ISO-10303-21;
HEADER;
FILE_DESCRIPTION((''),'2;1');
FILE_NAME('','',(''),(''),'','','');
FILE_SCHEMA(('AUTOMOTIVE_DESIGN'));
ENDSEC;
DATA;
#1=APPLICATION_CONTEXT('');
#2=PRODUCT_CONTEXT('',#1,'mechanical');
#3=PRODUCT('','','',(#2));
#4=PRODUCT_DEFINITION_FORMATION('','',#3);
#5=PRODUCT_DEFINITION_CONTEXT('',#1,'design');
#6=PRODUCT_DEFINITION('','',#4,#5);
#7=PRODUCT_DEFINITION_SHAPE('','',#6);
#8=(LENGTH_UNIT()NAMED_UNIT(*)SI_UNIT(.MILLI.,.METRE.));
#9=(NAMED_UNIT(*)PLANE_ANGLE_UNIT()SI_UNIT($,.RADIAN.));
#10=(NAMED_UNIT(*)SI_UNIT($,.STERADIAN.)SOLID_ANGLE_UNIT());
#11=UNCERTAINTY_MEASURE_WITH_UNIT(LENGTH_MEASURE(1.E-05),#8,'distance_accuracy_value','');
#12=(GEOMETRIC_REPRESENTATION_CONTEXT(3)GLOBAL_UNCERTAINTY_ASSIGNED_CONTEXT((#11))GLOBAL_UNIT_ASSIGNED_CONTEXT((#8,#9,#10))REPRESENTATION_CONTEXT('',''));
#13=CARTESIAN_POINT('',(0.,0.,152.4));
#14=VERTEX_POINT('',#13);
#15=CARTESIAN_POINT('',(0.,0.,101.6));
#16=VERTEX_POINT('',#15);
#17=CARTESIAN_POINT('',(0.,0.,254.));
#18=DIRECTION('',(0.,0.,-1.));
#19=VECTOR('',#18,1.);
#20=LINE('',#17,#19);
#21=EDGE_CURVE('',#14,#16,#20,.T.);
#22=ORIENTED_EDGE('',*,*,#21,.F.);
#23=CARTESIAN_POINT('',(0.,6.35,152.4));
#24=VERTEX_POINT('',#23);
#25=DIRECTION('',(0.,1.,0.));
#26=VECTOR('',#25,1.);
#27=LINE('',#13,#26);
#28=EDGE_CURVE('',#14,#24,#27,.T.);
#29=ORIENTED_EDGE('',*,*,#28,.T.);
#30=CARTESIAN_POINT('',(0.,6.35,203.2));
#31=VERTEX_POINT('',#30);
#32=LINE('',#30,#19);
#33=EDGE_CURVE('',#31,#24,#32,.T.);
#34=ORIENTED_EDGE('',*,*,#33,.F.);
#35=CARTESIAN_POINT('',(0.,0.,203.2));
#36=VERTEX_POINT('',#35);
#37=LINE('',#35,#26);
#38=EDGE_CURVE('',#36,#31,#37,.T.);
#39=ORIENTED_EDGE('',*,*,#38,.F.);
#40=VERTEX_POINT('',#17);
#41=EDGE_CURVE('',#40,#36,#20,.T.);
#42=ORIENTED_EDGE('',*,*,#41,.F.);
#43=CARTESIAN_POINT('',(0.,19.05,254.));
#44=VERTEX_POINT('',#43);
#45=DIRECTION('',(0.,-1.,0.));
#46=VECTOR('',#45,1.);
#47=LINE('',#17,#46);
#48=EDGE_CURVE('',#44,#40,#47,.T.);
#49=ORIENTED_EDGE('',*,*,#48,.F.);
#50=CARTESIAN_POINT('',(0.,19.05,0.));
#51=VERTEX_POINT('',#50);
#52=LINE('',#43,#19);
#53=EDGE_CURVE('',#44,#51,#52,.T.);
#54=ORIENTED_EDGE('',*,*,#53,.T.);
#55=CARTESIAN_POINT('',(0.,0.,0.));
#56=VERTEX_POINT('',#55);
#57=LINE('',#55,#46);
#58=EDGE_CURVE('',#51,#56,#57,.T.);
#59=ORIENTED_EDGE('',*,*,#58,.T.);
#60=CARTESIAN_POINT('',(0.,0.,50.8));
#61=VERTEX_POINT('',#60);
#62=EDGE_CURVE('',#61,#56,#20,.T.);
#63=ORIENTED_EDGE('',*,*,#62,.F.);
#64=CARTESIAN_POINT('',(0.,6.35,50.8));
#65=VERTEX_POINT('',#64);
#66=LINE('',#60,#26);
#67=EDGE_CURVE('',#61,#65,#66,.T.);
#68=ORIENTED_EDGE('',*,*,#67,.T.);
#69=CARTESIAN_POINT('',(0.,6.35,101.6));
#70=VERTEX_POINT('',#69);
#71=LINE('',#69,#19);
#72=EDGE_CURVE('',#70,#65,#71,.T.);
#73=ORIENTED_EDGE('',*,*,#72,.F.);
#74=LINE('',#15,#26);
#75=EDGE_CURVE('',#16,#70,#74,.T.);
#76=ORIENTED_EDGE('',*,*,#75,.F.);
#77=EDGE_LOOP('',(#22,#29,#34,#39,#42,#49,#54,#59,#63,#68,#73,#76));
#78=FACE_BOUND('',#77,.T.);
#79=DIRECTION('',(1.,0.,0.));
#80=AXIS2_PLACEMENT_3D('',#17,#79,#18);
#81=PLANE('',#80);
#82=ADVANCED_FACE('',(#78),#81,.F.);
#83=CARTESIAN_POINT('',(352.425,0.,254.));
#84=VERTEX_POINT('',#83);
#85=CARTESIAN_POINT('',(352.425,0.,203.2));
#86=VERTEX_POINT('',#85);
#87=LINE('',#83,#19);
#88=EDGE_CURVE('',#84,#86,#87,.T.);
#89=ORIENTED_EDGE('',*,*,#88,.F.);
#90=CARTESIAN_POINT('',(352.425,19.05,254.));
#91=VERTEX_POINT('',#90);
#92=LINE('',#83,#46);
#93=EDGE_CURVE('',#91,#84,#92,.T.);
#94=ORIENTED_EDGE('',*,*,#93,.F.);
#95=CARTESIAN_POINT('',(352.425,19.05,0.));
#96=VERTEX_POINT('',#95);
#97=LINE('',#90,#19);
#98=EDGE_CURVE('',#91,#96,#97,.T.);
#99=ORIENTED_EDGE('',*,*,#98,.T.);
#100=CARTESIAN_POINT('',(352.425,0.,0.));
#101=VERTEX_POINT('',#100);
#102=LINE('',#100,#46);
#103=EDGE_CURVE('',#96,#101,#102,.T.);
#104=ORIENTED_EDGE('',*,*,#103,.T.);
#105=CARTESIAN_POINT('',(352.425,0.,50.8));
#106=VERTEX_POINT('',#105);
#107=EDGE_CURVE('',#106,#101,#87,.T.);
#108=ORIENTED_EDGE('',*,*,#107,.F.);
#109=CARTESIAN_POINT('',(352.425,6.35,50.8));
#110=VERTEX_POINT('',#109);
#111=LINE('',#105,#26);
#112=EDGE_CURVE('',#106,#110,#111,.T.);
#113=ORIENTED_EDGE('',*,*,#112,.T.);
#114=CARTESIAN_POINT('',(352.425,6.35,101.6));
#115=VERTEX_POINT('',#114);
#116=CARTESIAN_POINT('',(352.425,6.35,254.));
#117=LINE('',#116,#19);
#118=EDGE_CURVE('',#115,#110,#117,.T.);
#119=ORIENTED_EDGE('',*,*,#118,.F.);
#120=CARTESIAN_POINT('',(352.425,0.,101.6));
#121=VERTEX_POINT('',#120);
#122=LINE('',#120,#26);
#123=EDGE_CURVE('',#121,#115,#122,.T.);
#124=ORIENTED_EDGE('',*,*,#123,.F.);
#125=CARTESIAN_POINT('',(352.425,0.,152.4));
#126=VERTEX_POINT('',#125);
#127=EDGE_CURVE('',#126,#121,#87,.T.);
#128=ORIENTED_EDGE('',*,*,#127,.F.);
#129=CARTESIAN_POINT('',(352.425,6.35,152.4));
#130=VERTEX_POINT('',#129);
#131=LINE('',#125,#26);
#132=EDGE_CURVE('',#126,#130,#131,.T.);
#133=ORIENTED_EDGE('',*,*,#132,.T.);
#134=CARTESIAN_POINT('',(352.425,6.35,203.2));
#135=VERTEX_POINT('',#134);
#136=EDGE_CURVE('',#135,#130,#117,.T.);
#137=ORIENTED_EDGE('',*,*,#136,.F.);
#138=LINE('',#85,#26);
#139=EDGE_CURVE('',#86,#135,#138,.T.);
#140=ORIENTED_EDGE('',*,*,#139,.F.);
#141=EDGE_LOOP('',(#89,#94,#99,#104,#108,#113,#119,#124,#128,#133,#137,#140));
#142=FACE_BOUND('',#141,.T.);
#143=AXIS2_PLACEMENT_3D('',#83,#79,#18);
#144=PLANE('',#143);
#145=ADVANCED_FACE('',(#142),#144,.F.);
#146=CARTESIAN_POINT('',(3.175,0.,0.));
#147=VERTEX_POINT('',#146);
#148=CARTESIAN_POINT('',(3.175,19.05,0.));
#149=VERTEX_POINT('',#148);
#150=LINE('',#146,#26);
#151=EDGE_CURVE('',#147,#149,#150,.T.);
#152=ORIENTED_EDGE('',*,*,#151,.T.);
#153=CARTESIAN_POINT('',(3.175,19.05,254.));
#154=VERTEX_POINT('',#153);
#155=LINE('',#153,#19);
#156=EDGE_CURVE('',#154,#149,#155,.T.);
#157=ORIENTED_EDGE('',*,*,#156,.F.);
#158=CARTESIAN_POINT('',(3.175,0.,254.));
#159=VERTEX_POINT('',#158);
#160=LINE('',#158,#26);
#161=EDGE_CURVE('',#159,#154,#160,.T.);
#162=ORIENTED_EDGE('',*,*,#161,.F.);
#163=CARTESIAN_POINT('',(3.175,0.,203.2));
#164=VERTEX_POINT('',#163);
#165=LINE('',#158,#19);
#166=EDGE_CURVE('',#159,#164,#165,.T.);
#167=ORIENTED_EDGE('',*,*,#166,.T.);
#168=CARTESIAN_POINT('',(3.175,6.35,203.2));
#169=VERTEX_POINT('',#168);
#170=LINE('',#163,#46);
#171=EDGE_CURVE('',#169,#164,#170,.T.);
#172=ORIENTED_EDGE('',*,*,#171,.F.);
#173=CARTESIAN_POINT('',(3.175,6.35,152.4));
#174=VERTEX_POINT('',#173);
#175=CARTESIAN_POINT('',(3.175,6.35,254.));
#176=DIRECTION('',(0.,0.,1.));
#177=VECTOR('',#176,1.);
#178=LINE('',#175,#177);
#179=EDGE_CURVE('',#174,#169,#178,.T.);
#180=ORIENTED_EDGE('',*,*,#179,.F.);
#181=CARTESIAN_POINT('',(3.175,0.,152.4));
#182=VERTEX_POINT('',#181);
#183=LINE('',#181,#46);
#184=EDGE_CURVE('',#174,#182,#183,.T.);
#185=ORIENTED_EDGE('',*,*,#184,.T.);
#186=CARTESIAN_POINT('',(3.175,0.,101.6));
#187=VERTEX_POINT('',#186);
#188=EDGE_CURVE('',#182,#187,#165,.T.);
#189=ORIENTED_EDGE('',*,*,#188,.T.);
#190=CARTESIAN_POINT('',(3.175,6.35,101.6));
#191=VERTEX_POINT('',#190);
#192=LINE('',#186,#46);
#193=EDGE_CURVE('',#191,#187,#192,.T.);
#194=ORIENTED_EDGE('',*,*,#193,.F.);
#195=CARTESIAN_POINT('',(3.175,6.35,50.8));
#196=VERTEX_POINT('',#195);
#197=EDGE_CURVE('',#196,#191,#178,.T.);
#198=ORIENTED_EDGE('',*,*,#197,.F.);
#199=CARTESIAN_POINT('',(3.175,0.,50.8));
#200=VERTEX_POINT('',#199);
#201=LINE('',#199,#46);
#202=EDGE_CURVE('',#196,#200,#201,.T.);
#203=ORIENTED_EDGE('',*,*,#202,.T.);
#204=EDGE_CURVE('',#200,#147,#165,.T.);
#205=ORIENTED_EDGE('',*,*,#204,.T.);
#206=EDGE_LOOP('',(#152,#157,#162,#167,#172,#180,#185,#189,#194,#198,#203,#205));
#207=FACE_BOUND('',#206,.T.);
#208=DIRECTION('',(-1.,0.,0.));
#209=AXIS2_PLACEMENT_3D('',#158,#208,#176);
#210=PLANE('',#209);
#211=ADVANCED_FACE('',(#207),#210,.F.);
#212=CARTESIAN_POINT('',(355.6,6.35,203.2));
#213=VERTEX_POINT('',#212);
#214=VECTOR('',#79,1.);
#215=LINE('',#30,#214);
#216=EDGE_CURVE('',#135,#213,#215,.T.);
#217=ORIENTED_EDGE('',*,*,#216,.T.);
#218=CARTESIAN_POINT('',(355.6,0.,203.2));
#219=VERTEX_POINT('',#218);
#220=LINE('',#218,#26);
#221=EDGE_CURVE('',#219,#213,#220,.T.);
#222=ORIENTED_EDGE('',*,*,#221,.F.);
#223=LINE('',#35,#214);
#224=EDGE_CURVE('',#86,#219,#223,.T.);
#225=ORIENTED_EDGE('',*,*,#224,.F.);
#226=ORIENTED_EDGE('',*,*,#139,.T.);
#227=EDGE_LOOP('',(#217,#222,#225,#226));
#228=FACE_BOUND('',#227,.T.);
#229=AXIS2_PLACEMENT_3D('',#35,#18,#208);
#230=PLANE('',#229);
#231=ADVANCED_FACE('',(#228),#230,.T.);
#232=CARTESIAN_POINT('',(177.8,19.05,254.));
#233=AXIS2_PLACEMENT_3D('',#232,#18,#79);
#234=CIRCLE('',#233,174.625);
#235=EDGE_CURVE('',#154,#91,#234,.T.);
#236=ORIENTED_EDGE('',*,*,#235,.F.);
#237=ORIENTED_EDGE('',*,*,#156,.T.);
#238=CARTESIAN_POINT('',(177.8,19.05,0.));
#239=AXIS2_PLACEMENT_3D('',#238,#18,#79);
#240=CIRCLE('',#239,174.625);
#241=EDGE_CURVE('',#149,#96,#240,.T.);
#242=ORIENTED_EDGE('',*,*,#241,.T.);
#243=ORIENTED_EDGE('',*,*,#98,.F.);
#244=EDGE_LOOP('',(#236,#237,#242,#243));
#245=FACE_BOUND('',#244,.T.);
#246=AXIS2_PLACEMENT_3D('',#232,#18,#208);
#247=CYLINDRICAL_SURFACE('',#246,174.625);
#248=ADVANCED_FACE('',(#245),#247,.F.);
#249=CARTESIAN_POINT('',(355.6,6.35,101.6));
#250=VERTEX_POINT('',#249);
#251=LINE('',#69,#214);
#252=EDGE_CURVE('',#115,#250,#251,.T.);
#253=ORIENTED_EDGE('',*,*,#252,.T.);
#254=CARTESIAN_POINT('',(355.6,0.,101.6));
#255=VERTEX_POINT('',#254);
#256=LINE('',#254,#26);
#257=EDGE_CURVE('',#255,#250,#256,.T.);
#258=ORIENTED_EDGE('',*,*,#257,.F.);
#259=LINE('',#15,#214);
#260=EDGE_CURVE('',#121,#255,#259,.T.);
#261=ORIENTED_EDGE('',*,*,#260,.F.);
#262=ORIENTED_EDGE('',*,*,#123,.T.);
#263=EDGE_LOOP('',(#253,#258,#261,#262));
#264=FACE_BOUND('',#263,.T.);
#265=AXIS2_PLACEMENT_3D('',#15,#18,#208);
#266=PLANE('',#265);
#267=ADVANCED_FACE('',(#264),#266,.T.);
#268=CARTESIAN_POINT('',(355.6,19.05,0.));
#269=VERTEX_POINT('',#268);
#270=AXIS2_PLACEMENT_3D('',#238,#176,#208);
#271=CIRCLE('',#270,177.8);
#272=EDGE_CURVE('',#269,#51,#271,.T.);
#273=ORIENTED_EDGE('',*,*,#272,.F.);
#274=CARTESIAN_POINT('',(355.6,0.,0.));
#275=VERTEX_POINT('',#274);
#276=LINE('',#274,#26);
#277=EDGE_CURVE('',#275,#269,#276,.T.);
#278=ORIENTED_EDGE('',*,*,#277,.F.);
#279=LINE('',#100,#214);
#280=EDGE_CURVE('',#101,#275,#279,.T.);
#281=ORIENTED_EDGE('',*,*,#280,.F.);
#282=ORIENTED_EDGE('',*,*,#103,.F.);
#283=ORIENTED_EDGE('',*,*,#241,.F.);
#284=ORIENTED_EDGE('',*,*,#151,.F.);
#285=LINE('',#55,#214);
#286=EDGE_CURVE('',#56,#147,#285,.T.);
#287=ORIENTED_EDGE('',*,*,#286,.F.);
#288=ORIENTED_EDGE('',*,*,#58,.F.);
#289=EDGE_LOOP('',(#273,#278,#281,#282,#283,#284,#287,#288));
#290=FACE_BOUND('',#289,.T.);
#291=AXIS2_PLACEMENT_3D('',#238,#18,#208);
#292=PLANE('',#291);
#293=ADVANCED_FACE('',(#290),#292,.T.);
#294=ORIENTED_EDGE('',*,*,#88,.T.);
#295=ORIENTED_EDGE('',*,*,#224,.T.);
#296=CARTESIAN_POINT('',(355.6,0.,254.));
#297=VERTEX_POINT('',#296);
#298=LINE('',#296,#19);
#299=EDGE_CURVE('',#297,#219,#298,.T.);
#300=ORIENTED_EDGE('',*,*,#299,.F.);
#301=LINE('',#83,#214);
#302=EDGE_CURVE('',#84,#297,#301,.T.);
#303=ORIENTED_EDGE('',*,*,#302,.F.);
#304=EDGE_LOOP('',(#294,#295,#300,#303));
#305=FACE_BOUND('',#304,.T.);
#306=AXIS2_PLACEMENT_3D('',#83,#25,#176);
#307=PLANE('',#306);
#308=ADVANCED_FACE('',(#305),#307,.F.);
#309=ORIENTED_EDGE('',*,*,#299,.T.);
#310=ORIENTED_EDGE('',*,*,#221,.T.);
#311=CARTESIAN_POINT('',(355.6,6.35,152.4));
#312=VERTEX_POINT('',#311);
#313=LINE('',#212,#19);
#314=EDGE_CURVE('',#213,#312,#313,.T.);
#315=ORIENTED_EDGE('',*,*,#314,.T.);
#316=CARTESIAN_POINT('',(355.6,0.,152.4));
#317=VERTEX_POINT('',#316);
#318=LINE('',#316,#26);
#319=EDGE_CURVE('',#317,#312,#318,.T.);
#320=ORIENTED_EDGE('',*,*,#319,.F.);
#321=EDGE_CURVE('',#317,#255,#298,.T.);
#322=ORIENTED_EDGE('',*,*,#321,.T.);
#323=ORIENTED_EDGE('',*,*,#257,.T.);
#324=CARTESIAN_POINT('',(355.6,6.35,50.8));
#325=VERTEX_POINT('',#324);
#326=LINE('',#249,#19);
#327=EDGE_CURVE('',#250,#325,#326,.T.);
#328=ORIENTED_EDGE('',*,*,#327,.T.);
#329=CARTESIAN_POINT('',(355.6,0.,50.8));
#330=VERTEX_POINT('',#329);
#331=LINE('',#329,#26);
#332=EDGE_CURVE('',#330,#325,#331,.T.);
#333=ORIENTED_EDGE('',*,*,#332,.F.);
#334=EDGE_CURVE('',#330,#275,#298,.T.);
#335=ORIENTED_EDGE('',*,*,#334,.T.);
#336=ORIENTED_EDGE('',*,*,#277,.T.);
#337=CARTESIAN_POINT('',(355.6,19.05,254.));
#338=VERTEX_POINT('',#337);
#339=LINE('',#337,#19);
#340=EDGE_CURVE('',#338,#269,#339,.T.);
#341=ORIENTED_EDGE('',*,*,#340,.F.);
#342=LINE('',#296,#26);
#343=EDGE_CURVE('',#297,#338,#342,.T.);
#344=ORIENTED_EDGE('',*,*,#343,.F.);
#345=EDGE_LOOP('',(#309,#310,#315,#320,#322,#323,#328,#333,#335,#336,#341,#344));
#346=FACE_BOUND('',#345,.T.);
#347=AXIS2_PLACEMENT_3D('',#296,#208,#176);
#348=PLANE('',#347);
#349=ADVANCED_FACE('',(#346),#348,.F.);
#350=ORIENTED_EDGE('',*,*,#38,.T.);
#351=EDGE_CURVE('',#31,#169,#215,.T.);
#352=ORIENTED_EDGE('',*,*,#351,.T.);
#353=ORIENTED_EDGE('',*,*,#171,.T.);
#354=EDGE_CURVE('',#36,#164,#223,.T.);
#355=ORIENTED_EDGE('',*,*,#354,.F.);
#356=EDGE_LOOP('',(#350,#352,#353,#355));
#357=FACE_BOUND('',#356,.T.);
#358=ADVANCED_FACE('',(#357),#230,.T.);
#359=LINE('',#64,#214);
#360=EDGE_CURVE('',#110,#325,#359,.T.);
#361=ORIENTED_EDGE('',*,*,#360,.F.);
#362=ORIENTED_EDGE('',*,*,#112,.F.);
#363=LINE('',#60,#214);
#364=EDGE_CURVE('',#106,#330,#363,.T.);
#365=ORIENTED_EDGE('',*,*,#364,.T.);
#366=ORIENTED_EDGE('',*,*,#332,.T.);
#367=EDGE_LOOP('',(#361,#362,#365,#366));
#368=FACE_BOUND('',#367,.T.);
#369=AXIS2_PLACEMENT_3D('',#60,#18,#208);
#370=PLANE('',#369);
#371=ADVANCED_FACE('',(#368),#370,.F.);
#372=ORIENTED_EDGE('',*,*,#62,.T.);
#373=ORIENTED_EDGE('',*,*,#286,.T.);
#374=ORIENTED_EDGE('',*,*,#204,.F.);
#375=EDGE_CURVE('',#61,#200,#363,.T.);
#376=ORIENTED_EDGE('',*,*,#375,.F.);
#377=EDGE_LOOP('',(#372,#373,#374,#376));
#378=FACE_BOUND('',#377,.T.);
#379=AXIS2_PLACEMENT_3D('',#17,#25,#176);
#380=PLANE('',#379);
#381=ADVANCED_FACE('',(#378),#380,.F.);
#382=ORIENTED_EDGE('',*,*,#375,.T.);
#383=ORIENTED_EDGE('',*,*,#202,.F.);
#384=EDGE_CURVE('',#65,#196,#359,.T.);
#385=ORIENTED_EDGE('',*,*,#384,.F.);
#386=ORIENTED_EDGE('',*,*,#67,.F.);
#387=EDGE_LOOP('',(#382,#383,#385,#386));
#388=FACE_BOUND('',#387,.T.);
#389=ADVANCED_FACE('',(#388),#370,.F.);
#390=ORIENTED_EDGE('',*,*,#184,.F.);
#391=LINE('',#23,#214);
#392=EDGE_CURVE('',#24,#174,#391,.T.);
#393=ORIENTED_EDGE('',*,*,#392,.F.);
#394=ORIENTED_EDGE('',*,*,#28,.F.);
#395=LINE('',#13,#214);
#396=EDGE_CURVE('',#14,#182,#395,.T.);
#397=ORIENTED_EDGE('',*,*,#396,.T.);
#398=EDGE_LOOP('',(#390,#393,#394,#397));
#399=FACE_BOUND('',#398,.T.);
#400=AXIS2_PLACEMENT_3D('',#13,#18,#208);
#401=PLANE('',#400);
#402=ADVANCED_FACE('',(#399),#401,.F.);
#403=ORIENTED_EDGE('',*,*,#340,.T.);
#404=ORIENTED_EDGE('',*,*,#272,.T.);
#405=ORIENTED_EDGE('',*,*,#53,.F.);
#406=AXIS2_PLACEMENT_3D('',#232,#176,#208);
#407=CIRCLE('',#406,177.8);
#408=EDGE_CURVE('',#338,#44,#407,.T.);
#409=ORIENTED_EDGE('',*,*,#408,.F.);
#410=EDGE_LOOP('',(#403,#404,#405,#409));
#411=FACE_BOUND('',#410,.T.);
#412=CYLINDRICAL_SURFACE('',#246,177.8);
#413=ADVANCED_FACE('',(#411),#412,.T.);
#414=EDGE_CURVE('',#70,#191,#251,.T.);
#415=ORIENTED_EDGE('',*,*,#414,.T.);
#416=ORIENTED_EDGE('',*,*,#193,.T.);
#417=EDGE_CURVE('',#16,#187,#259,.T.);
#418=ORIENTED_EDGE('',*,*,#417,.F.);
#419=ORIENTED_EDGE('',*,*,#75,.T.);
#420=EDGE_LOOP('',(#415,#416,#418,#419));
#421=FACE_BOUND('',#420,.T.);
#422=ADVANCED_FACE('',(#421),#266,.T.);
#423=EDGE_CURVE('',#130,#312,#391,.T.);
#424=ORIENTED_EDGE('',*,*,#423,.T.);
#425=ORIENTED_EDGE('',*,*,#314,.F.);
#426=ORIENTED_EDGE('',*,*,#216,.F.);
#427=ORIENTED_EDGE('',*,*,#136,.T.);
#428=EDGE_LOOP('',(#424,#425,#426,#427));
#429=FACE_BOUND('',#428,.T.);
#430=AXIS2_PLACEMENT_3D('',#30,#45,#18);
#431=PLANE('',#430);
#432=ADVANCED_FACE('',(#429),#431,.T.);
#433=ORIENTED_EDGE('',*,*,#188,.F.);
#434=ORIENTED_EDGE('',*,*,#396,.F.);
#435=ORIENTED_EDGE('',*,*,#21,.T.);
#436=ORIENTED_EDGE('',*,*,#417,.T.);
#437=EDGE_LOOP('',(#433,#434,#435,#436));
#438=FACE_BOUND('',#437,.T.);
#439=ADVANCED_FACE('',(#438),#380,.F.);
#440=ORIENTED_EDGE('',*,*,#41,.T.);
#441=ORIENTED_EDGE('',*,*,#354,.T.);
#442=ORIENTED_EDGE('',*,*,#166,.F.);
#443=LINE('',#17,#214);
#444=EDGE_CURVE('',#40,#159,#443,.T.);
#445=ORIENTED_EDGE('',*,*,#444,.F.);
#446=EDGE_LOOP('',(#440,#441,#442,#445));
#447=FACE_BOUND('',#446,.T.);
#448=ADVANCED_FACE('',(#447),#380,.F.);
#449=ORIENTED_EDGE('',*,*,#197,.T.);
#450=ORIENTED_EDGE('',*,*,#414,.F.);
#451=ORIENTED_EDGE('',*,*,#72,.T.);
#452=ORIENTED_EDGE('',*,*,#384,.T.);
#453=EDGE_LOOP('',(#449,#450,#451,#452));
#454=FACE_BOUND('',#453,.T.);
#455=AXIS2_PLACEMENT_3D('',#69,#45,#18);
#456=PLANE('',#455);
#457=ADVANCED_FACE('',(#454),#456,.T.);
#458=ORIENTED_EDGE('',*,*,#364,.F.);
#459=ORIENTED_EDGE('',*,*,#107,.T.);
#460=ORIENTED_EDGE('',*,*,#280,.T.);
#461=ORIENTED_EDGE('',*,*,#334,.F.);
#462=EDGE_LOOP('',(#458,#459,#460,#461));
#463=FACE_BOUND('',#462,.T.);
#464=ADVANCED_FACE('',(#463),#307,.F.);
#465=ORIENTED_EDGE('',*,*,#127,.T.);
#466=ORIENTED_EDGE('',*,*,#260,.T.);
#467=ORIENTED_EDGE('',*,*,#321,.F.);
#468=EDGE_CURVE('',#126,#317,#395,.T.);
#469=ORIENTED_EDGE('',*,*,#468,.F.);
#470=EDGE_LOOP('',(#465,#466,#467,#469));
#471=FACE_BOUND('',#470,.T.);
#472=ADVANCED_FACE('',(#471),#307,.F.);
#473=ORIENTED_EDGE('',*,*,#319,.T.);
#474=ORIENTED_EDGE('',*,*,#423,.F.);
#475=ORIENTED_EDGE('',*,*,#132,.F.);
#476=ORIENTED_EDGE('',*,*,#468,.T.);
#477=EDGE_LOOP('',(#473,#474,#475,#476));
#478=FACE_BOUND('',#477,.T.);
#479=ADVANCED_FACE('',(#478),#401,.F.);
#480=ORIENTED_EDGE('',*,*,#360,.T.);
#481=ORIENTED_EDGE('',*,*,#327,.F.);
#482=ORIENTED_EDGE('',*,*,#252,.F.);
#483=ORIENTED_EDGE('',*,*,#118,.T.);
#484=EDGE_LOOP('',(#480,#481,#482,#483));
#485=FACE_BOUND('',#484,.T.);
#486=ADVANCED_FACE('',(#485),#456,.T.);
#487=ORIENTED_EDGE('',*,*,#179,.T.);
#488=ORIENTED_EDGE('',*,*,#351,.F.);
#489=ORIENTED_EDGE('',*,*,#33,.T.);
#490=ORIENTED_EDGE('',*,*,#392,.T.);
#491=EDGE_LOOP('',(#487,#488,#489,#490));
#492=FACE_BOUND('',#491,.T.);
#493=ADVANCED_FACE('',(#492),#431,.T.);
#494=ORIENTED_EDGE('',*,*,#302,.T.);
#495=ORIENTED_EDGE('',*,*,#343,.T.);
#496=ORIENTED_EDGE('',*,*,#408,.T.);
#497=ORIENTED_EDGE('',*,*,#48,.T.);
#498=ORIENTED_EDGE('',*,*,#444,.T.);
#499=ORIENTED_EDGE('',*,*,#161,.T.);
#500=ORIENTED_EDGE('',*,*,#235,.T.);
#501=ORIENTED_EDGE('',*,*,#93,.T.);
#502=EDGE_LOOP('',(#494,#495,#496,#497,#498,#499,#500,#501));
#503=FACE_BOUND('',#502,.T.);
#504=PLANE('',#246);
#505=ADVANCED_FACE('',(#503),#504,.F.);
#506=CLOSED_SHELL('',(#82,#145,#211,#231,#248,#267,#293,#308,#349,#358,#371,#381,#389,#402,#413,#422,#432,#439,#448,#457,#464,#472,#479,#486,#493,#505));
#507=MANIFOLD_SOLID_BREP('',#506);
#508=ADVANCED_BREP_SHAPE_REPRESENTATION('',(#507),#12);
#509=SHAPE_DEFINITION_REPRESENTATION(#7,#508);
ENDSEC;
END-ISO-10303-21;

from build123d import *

# Parameters (mm, degrees)
BOSS_EXTRUDE1_DEPTH = 254
SKETCH2_W           = 50.8
SKETCH2_H           = 6.35
CUT_EXTRUDE1_DEPTH  = 356.6


with BuildPart() as part:
    # Sketch1 → Boss-Extrude1 (new body)
    with BuildSketch(Plane.XY):
        with BuildLine():
            Line((0, 0), (3.175, 0))
            Line((3.175, 0), (3.175, 19.05))
            ThreePointArc((3.175, 19.05), (177.8, 193.675), (352.425, 19.05))
            Line((352.425, 19.05), (352.425, 0))
            Line((352.425, 0), (355.6, 0))
            Line((355.6, 0), (355.6, 19.05))
            ThreePointArc((355.6, 19.05), (177.8, 196.85), (0, 19.05))
            Line((0, 19.05), (0, 0))
        make_face()
    extrude(amount=BOSS_EXTRUDE1_DEPTH)

    # Sketch2 → Cut-Extrude1 (cut, through all)
    with BuildSketch(Plane(origin=(355.6, 0, 0), x_dir=(0, 0, -1), z_dir=(1, 0, 0))):
        with Locations((-177.8, 3.175)):
            Rectangle(SKETCH2_W, SKETCH2_H)
        with Locations((-76.2, 3.175)):
            Rectangle(SKETCH2_W, SKETCH2_H)
    extrude(amount=-CUT_EXTRUDE1_DEPTH, mode=Mode.SUBTRACT)


solid = part.part
